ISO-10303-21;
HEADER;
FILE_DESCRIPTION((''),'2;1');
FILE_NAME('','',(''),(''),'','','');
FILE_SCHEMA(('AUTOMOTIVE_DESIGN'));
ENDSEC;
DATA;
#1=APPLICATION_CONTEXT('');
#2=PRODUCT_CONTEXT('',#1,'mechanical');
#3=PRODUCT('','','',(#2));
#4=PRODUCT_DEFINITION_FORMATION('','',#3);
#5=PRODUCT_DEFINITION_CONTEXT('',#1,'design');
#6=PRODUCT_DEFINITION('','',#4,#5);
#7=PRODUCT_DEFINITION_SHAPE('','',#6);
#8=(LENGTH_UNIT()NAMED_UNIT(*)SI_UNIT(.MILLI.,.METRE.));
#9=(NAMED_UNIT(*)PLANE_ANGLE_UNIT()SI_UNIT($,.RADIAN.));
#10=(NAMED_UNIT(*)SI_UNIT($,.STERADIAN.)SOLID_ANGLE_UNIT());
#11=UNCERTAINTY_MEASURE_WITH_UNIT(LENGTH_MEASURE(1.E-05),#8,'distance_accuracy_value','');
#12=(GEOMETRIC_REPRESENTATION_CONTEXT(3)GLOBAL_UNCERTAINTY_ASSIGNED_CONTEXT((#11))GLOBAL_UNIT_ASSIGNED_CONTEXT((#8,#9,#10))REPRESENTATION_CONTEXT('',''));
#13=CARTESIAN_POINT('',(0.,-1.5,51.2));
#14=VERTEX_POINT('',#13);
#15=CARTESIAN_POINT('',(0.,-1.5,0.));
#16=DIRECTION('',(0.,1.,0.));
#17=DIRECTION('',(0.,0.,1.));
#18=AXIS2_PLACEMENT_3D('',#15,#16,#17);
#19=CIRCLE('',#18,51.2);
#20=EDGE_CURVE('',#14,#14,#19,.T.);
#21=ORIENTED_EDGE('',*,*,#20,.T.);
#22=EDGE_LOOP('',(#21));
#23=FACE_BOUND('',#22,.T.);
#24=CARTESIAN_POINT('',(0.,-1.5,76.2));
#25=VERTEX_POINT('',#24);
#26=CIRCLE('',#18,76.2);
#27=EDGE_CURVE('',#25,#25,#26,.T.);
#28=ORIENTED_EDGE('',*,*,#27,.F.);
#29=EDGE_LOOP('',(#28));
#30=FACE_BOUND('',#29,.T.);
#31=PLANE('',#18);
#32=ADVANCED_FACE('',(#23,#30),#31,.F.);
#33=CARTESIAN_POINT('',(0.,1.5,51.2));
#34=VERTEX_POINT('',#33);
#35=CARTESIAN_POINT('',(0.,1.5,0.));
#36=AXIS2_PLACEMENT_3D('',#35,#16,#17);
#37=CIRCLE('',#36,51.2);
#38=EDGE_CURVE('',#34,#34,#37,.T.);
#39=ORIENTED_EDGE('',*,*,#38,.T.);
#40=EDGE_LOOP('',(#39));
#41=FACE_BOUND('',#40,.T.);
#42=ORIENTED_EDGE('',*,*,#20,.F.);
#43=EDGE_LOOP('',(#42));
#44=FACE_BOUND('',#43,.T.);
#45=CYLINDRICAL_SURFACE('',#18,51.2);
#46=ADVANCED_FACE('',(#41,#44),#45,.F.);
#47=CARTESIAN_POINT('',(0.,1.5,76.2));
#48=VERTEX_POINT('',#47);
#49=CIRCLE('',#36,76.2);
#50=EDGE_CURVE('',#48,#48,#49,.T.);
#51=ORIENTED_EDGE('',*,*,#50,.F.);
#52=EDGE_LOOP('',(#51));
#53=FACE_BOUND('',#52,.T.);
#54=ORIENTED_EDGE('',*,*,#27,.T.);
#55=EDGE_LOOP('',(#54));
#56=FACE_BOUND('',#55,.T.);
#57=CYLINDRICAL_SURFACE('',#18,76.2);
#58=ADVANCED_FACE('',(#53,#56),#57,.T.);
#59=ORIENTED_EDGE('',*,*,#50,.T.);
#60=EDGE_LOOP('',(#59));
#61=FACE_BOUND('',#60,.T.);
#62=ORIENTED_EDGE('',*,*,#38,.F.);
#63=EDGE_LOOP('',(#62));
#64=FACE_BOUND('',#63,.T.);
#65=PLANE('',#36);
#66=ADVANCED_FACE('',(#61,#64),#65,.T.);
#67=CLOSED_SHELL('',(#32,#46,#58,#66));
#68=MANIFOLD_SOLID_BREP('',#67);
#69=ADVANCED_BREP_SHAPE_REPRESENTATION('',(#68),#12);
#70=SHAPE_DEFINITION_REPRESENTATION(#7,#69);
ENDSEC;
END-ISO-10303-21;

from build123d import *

# Parameters (mm, degrees)
BOSS_EXTRUDE1_DEPTH      = 1.5
BOSS_EXTRUDE1_DEPTH_BACK = 1.5
SKETCH1_R                = 76.2
SKETCH1_R_2              = 51.2


with BuildPart() as part:
    # Sketch1 → Boss-Extrude1 (new, two sides: drawn at the far end of the back side and taken through both)
    with BuildSketch(Plane(origin=(0, 0, 0), x_dir=(1, 0, 0), z_dir=(0, 1, 0)).offset(-BOSS_EXTRUDE1_DEPTH_BACK)):
        Circle(SKETCH1_R)
        Circle(SKETCH1_R_2, mode=Mode.SUBTRACT)
    extrude(amount=BOSS_EXTRUDE1_DEPTH + BOSS_EXTRUDE1_DEPTH_BACK)


solid = part.part
